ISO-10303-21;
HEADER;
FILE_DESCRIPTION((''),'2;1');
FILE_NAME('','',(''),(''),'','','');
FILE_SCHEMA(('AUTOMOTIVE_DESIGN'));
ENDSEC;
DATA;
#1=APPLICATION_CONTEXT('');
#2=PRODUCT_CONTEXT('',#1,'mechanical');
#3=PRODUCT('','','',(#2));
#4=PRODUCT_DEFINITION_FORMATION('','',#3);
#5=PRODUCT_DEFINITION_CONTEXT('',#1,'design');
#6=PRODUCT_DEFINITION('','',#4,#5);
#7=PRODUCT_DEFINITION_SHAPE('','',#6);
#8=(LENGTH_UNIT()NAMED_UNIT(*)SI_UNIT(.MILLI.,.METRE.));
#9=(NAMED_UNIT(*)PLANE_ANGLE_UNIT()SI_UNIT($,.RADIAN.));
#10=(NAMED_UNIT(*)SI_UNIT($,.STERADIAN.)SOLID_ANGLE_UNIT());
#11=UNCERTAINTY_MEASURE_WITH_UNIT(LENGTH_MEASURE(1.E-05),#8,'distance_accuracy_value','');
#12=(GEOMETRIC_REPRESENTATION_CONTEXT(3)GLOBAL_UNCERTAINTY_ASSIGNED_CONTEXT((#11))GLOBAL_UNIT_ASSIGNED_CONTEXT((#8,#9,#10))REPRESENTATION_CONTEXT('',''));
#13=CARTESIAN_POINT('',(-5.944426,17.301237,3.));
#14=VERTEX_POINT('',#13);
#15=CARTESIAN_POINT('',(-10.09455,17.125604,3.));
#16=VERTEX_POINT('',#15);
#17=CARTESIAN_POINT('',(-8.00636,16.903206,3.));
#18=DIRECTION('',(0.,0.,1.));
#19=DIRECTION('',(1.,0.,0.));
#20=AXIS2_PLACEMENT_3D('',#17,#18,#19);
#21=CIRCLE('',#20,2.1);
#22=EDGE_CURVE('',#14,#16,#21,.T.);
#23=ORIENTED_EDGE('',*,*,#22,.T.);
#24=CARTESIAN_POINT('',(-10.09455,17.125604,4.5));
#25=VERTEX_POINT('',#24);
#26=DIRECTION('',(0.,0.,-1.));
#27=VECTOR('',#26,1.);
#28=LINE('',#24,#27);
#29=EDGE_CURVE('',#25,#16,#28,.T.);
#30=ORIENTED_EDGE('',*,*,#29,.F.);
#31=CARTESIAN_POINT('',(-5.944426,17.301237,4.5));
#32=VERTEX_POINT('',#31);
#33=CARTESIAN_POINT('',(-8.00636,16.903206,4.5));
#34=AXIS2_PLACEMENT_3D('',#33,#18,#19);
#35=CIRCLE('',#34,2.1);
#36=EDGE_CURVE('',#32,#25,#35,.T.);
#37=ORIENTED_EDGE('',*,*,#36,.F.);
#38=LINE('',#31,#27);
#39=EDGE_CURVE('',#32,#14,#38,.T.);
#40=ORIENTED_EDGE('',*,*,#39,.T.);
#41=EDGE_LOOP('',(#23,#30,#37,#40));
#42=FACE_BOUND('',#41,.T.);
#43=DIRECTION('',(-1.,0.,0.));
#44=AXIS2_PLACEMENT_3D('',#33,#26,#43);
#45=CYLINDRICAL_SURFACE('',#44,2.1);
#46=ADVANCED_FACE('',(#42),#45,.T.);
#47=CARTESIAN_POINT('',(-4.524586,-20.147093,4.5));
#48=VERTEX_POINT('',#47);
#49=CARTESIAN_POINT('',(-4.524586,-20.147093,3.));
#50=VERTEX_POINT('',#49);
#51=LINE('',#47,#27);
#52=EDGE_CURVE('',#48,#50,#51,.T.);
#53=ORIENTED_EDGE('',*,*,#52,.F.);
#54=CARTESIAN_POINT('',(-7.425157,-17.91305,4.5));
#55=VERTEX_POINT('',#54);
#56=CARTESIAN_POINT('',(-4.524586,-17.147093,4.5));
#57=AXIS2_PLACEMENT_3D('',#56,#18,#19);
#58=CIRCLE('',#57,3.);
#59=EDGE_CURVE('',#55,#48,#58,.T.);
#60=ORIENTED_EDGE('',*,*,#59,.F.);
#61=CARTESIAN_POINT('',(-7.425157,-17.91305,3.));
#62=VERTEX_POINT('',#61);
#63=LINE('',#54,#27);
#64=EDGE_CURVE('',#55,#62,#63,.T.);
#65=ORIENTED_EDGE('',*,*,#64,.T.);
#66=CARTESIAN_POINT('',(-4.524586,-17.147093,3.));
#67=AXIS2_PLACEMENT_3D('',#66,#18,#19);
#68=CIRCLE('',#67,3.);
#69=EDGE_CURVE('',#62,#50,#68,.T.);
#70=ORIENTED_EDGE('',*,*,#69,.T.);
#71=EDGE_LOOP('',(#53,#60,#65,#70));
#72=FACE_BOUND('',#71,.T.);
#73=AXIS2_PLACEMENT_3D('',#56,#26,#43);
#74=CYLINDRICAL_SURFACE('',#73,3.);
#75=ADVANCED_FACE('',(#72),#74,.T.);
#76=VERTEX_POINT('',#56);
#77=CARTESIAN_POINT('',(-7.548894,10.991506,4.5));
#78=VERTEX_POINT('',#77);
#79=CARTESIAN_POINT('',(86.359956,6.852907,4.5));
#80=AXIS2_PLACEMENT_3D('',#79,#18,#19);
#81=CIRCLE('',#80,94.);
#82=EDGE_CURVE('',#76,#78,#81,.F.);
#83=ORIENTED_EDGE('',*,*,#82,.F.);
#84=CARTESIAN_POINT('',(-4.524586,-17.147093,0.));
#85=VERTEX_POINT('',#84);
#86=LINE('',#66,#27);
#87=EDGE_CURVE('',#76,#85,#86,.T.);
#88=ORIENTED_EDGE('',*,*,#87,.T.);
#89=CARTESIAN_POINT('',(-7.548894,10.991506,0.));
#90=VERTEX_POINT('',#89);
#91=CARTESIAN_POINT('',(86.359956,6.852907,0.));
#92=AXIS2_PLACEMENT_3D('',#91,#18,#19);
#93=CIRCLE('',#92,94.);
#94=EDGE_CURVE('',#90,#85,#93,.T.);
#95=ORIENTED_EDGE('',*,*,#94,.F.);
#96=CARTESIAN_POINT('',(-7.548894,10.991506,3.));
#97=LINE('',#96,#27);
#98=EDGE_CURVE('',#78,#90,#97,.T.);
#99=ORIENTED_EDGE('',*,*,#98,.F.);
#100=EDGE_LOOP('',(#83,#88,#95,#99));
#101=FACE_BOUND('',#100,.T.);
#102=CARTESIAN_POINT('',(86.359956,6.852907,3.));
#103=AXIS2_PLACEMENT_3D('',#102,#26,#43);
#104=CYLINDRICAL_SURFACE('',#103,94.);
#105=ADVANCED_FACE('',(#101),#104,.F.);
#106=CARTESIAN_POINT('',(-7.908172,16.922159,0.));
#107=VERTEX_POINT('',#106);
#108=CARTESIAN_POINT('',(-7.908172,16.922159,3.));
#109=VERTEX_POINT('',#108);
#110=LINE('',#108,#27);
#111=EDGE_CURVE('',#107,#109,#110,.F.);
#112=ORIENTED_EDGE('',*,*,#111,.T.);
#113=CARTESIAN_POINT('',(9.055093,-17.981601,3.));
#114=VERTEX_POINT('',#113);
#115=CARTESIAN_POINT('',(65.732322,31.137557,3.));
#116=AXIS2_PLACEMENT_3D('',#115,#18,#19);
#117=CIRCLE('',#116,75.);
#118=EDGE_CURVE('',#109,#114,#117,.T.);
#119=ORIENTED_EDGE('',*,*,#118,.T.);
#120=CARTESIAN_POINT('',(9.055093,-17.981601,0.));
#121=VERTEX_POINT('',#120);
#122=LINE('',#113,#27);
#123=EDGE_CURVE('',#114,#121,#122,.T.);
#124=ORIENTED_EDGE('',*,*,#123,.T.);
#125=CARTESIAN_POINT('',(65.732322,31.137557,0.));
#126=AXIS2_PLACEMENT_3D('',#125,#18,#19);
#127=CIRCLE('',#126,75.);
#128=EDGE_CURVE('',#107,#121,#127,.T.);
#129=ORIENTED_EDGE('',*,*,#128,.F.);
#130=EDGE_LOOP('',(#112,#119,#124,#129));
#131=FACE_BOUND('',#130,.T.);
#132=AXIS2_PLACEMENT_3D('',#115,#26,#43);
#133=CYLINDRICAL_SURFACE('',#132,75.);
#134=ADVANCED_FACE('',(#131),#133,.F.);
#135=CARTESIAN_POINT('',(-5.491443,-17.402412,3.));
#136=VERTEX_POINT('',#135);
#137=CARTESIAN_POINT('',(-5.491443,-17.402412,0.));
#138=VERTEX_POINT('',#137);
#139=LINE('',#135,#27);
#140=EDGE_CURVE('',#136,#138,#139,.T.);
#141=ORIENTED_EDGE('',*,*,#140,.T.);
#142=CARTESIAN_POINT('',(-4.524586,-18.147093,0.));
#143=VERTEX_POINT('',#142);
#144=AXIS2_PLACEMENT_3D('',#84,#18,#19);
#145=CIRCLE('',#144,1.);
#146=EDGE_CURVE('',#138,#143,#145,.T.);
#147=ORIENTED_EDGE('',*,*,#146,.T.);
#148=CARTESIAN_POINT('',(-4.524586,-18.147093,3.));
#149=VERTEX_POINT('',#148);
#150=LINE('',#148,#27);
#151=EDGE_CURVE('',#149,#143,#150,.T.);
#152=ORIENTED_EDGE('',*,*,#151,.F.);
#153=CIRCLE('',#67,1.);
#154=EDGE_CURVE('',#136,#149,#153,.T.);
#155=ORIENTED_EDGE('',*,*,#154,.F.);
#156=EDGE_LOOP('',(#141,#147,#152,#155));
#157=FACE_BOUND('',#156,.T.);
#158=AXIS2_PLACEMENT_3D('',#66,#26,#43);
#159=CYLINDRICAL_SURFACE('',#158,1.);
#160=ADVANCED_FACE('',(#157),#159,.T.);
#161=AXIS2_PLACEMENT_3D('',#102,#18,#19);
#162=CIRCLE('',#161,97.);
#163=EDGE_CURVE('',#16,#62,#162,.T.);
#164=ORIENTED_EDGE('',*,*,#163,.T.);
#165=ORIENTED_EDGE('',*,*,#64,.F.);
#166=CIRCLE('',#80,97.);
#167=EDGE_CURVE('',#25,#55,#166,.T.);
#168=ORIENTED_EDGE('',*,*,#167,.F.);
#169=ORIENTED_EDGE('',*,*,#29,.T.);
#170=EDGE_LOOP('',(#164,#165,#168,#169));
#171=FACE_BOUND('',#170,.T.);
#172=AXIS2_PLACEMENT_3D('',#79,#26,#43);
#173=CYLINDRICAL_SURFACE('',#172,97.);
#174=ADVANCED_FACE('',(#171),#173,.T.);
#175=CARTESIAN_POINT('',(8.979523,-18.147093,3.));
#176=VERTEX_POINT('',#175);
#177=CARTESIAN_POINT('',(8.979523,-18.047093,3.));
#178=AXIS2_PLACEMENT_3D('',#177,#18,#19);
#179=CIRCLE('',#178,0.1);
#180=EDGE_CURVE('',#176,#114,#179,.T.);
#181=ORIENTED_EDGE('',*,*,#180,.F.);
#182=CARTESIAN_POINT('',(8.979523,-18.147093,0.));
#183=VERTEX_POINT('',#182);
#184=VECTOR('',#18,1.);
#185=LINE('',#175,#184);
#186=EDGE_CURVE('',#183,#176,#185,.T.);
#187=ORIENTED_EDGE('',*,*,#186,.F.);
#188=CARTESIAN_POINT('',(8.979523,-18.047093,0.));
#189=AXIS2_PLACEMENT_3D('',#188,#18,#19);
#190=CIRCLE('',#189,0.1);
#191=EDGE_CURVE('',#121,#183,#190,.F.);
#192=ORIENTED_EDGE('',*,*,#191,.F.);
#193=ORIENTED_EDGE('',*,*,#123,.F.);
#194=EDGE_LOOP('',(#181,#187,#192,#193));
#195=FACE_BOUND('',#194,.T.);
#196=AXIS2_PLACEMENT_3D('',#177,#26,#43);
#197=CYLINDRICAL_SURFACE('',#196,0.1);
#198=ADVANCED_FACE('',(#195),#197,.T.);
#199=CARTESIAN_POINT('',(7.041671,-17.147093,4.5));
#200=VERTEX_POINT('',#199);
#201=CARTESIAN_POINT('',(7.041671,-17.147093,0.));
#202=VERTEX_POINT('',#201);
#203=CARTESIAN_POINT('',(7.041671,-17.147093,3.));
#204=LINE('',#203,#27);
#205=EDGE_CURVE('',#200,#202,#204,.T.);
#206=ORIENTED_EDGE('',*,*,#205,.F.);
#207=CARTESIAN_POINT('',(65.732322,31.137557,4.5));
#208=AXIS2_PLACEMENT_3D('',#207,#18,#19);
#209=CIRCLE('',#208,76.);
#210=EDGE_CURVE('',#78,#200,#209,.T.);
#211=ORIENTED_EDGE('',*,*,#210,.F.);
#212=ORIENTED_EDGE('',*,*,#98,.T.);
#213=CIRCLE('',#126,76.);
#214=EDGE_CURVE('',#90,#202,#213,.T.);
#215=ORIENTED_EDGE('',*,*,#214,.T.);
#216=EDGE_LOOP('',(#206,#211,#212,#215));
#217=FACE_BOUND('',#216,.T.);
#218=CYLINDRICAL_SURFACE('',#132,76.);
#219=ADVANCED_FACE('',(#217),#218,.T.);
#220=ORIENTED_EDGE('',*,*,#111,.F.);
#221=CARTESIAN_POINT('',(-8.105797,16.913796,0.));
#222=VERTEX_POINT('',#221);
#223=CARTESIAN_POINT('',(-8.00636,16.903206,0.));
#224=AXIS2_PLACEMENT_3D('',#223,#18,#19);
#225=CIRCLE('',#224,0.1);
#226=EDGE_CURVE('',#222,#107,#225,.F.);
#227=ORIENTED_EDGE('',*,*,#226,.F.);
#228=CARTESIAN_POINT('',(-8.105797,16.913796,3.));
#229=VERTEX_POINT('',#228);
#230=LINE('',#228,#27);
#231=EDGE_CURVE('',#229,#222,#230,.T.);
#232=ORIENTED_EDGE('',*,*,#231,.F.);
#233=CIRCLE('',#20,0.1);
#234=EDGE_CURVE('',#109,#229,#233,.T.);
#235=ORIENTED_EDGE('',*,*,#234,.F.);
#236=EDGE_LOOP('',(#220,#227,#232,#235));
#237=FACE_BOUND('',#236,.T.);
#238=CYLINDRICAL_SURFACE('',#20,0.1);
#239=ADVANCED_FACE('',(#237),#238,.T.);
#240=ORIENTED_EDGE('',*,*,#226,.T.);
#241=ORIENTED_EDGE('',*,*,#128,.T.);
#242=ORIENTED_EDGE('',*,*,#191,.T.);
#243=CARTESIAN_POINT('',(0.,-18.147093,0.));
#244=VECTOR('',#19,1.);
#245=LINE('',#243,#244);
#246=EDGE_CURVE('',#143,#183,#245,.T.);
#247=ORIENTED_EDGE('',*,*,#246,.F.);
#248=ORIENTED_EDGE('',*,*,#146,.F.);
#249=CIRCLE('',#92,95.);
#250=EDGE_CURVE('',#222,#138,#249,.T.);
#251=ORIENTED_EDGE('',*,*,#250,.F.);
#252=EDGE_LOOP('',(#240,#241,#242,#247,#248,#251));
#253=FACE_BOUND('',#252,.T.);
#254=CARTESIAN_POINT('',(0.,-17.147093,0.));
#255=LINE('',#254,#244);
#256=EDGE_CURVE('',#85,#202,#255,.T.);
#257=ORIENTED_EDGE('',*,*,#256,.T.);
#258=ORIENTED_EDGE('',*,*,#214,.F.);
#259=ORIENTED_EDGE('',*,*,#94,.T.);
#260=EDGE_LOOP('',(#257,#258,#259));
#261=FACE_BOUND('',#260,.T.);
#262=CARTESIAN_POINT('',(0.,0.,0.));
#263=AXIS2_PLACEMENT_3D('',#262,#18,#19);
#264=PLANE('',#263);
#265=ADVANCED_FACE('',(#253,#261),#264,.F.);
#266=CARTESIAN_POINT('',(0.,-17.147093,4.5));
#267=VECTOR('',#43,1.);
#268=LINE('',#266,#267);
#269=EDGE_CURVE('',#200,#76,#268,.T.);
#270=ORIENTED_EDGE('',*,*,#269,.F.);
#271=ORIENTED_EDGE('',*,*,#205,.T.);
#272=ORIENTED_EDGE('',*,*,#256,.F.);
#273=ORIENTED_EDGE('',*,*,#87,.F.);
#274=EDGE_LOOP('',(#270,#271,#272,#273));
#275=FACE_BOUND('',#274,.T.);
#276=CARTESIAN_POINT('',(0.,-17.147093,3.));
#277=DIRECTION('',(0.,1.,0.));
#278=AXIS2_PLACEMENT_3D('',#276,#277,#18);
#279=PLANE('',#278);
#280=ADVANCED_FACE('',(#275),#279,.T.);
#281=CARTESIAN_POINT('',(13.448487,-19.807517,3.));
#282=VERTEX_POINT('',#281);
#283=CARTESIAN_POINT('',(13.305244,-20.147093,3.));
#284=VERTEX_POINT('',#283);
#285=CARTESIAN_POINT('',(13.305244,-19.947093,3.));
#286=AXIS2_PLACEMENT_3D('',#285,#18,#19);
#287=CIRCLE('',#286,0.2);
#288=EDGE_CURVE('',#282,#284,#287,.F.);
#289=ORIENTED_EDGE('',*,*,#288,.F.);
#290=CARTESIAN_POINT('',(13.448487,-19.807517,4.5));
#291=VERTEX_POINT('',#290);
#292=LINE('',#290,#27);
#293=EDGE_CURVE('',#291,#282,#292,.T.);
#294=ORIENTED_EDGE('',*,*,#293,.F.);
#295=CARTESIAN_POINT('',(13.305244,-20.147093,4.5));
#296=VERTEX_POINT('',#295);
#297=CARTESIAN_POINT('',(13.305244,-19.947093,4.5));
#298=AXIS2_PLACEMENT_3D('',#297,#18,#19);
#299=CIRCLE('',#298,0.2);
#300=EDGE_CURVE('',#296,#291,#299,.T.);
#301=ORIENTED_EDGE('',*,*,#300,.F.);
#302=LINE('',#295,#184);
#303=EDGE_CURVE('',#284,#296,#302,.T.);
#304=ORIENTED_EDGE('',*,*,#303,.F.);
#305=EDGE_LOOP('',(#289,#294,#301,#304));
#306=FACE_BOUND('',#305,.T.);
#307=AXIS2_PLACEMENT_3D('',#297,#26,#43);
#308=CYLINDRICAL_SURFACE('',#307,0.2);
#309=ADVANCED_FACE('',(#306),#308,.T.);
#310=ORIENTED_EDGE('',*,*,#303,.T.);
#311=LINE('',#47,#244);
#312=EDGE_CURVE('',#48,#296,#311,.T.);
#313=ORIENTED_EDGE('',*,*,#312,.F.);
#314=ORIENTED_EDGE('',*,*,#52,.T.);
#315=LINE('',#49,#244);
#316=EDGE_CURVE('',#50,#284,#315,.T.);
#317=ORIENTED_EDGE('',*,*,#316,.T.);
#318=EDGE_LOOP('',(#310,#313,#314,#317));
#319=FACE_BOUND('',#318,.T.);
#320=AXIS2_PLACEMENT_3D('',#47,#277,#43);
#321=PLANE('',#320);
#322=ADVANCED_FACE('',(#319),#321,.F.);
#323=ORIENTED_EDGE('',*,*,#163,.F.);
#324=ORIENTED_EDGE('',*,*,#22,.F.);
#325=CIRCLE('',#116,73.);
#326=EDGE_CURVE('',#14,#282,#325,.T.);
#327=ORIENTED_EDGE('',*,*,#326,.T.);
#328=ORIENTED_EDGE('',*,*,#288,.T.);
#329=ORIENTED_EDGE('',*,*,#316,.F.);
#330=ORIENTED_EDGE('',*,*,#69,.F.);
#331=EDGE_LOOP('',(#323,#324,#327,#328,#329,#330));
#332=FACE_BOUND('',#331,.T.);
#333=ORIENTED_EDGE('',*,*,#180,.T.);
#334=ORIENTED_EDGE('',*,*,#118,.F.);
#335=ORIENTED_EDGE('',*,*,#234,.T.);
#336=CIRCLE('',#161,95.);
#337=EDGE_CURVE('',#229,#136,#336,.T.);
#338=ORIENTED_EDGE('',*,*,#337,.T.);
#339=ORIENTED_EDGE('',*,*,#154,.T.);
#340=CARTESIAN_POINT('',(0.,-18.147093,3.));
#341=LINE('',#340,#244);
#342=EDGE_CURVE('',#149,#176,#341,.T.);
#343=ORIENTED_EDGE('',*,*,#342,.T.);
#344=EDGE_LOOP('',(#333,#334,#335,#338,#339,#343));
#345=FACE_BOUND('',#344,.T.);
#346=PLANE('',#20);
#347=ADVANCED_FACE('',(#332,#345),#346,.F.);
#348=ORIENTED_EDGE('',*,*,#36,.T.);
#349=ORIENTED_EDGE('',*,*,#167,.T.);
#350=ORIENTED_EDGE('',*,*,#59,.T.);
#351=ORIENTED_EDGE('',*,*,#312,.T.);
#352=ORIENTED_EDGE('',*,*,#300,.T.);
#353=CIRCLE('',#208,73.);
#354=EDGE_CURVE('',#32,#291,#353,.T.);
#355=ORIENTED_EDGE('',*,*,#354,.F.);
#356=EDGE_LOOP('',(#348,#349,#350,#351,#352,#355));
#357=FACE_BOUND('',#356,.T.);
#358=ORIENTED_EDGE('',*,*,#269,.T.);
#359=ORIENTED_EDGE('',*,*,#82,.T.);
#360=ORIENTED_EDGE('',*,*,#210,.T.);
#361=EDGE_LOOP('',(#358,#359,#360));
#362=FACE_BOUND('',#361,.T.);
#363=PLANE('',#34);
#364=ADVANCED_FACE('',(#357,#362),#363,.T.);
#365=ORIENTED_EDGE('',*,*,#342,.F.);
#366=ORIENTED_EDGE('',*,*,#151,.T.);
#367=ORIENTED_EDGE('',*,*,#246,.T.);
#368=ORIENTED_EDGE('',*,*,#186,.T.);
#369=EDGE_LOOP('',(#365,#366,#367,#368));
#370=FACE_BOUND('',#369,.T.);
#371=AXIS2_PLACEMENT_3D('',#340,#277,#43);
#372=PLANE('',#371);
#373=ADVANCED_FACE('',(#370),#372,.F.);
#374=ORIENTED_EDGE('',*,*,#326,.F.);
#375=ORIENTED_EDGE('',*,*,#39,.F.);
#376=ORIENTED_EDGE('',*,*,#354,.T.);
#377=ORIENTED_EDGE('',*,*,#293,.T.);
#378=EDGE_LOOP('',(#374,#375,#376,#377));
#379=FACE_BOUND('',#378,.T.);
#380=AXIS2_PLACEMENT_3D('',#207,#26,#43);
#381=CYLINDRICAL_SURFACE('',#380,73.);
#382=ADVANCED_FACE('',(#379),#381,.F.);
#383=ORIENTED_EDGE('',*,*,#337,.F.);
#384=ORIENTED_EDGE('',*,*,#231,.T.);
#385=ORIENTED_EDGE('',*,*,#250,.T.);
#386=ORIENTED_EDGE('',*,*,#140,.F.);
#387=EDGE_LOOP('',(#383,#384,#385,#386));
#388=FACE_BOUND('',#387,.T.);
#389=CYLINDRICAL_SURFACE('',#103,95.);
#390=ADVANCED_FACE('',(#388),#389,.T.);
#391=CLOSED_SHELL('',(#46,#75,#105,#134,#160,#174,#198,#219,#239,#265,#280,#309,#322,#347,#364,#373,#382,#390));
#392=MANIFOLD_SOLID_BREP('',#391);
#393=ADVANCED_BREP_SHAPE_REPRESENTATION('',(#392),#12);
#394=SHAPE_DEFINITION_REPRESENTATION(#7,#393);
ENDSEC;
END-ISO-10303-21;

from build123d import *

# Parameters (mm, degrees)
BOSS_EXTRU_1_DEPTH = 3
CONG_1_R           = 0.1
BOSS_EXTRU_2_DEPTH = 1.5
CONG_2_R           = 0.2
CONG_3_R           = 0.1


with BuildPart() as part:
    # Esquisse1 → Boss.-Extru.1 (new body)
    with BuildSketch(Plane.XY):
        with BuildLine():
            ThreePointArc((-5.491443118, -17.402412154), (-5.134783325, -17.939342697), (-4.524586287, -18.147093005))
            Line((-4.524586287, -18.147093005), (9.198940383, -18.147093005))
            ThreePointArc((9.198940383, -18.147093005), (-1.821522293, -1.442775514), (-8.03233352, 17.581173717))
            ThreePointArc((-8.03233352, 17.581173717), (-8.390456717, -0.028903657), (-5.491443118, -17.402412154))
        make_face()
        with BuildLine():
            Line((7.041670832, -17.147093005), (-4.524586287, -17.147093005))
            ThreePointArc((-4.524586287, -17.147093005), (-7.101772019, -3.192262147), (-7.54889357, 10.99150579))
            ThreePointArc((-7.54889357, 10.99150579), (-1.736845674, -3.846887542), (7.041670832, -17.147093005))
        make_face(mode=Mode.SUBTRACT)
    extrude(amount=BOSS_EXTRU_1_DEPTH)

    # Congé1
    cong_1_edges = [part.edges().sort_by_distance(p)[0] for p in [
        (-8.03233352, 17.581173717, 1.5),
    ]]
    fillet(cong_1_edges, radius=CONG_1_R)

    # Esquisse2 → Boss.-Extru.2 (add)
    with BuildSketch(Plane.XY.offset(3)):
        with BuildLine():
            ThreePointArc((-7.425156781, -17.913050452), (-6.355177402, -19.523842081), (-4.524586287, -20.147093005))
            Line((-4.524586287, -20.147093005), (13.781531415, -20.147093005))
            ThreePointArc((13.781531415, -20.147093005), (1.144889736, -2.883958877), (-5.944425785, 17.301236646))
            ThreePointArc((-5.944425785, 17.301236646), (-8.095151796, 19.001327524), (-10.094549972, 17.125604115))
            ThreePointArc((-10.094549972, 17.125604115), (-10.359767763, -0.515611426), (-7.425156781, -17.913050452))
        make_face()
        with BuildLine():
            ThreePointArc((-7.54889357, 10.99150579), (-1.736845674, -3.846887542), (7.041670832, -17.147093005))
            Line((7.041670832, -17.147093005), (-4.524586287, -17.147093005))
            ThreePointArc((-4.524586287, -17.147093005), (-7.101772019, -3.192262147), (-7.54889357, 10.99150579))
        make_face(mode=Mode.SUBTRACT)
    extrude(amount=BOSS_EXTRU_2_DEPTH)

    # Congé2
    cong_2_edges = [part.edges().sort_by_distance(p)[0] for p in [
        (13.781531415, -20.147093005, 3.75),
    ]]
    fillet(cong_2_edges, radius=CONG_2_R)

    # Congé3
    cong_3_edges = [part.edges().sort_by_distance(p)[0] for p in [
        (9.198940383, -18.147093005, 1.5),
    ]]
    fillet(cong_3_edges, radius=CONG_3_R)


solid = part.part
